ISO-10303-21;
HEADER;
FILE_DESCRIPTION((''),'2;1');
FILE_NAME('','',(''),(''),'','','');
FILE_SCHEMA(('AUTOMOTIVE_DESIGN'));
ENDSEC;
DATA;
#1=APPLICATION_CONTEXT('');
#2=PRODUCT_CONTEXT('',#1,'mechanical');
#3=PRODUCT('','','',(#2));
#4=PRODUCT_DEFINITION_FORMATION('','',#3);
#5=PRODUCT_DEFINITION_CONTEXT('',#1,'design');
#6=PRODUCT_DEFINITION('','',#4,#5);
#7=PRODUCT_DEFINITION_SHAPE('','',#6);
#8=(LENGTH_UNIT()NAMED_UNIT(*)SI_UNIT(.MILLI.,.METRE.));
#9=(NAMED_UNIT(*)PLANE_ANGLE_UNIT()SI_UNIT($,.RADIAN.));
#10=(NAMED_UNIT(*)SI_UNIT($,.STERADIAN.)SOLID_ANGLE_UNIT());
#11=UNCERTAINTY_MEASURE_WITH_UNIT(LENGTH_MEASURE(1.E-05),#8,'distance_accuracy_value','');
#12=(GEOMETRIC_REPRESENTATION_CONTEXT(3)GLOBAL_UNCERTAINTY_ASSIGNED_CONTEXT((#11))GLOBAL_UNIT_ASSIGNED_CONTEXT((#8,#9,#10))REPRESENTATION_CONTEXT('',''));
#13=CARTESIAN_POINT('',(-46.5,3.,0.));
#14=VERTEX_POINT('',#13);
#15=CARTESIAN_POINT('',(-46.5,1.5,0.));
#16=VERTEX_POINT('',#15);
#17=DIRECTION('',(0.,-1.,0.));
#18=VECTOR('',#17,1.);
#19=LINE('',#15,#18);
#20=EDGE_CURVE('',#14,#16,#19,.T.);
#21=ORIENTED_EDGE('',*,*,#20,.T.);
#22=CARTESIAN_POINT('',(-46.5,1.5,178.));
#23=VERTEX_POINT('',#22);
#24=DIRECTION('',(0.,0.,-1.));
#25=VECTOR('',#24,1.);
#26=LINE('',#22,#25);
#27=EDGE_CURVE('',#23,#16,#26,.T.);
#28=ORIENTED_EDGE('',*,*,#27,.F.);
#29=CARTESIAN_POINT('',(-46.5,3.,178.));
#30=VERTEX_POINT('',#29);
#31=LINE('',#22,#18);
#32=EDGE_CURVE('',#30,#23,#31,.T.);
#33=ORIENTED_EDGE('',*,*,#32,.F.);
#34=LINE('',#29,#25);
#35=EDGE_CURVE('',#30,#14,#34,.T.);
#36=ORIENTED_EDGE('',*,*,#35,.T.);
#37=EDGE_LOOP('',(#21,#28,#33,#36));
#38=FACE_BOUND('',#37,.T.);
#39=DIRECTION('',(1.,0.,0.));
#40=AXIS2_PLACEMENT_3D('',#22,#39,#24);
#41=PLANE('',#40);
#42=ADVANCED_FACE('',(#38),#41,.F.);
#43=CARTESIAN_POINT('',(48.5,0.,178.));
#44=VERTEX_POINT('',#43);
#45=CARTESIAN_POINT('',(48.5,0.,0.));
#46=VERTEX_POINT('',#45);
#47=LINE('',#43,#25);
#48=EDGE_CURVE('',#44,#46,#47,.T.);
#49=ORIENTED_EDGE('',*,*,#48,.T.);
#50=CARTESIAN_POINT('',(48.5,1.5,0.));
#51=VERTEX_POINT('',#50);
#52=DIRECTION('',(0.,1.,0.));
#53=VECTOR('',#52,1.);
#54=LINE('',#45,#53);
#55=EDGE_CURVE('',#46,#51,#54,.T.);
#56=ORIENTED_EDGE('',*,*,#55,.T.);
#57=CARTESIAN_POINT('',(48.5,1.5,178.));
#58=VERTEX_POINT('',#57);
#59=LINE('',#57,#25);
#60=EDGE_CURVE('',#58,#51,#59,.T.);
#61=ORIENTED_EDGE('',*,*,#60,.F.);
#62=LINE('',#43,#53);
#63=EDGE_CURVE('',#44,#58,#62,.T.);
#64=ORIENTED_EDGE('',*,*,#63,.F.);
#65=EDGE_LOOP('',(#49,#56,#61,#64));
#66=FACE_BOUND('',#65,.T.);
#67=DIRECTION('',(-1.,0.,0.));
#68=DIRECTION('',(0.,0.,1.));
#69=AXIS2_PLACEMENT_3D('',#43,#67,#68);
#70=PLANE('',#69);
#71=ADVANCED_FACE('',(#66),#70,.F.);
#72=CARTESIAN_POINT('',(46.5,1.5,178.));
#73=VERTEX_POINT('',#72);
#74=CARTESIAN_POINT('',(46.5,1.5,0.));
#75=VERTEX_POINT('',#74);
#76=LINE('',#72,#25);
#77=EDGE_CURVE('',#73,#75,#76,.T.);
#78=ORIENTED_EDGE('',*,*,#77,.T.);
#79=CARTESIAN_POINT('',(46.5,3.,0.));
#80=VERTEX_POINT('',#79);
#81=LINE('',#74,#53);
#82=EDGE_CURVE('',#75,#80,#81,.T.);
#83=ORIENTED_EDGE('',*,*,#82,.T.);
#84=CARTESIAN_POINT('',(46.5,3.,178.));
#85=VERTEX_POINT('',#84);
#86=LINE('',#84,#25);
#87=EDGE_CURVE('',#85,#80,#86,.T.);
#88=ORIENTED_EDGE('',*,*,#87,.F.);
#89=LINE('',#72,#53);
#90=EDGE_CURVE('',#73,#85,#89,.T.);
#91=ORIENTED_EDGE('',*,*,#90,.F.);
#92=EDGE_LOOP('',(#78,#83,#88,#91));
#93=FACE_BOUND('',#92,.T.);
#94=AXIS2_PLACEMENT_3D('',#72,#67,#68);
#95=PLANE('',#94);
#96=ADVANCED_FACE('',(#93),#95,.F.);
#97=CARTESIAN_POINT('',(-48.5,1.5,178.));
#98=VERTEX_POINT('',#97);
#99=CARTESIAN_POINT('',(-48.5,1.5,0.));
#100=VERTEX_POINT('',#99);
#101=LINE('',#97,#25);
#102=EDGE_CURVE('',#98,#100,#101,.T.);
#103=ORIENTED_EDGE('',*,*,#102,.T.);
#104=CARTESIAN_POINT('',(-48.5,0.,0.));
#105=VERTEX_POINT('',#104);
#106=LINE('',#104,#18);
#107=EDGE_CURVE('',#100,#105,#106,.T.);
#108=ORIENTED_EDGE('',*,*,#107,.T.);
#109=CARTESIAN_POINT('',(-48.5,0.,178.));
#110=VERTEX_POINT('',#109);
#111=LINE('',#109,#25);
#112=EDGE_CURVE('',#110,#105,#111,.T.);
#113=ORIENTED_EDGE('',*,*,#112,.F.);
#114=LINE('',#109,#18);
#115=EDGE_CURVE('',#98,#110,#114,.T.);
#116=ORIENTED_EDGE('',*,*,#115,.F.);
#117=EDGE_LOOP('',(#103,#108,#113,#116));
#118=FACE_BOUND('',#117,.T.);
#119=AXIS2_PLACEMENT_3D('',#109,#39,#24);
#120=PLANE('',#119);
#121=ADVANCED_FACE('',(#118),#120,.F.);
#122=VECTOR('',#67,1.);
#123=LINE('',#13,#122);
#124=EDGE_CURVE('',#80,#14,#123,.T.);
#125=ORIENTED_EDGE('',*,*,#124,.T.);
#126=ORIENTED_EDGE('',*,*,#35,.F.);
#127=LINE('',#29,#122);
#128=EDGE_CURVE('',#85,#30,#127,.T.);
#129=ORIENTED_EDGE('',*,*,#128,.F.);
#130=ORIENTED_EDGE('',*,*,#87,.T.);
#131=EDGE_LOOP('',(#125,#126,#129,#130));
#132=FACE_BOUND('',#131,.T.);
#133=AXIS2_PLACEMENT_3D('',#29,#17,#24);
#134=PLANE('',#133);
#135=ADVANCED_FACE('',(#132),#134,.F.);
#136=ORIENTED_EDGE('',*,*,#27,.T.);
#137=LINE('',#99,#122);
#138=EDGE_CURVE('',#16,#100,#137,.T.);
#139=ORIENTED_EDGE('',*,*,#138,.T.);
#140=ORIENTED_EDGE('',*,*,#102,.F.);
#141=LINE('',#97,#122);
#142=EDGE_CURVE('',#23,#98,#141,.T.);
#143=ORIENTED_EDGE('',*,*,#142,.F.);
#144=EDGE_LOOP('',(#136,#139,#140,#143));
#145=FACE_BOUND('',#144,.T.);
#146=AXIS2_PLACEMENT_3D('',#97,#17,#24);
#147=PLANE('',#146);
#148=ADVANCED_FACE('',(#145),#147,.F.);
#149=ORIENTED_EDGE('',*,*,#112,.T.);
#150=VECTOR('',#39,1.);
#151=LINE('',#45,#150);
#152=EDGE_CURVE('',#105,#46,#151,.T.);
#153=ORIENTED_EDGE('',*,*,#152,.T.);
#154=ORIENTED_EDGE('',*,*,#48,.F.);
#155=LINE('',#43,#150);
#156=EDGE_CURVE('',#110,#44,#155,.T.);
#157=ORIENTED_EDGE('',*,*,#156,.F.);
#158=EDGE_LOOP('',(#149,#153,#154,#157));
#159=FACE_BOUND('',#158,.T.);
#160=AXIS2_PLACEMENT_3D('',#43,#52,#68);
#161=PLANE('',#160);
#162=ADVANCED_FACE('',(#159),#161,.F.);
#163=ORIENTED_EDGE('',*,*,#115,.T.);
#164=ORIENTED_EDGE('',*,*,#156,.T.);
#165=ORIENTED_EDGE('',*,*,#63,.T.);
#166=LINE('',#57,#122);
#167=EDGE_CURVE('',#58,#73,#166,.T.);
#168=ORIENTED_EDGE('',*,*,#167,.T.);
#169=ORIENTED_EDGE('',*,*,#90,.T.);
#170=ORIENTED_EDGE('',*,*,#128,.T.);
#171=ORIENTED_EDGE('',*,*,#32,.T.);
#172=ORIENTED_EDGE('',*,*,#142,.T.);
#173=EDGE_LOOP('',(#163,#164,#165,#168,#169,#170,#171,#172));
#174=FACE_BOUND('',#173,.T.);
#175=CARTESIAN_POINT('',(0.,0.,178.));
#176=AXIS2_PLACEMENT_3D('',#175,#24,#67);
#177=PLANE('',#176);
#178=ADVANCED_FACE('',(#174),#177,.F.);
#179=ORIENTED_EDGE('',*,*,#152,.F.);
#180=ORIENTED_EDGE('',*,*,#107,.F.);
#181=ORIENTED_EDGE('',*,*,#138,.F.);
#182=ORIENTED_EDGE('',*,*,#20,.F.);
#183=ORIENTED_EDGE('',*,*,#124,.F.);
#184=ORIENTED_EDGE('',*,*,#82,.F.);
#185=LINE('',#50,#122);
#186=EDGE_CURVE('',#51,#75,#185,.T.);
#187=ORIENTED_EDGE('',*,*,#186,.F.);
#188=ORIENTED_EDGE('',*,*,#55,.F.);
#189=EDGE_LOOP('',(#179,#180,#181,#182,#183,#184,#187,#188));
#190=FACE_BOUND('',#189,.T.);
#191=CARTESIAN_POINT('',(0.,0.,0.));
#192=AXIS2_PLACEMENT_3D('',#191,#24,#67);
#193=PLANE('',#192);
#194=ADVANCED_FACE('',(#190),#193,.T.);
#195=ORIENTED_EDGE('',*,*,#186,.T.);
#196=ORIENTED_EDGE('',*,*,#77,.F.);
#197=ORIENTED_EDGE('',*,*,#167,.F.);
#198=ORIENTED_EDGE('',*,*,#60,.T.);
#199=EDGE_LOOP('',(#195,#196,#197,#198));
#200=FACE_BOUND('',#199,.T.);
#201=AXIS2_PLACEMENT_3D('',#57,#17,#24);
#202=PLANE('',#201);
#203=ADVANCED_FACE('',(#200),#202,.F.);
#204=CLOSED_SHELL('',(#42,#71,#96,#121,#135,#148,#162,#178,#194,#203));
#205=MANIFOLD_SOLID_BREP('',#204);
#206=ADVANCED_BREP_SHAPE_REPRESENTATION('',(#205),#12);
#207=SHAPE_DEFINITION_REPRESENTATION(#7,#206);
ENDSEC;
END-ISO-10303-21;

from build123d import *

# Parameters (mm, degrees)
EXTRUDE_1_DEPTH = 178


with BuildPart() as part:
    # 草图1 → 凸台-拉伸1 (new body)
    with BuildSketch(Plane.XY):
        Polygon((48.5, 0), (-48.5, 0), (-48.5, 1.5), (-46.5, 1.5), (-46.5, 3), (46.5, 3), (46.5, 1.5), (48.5, 1.5), align=None)
    extrude(amount=EXTRUDE_1_DEPTH)


solid = part.part
